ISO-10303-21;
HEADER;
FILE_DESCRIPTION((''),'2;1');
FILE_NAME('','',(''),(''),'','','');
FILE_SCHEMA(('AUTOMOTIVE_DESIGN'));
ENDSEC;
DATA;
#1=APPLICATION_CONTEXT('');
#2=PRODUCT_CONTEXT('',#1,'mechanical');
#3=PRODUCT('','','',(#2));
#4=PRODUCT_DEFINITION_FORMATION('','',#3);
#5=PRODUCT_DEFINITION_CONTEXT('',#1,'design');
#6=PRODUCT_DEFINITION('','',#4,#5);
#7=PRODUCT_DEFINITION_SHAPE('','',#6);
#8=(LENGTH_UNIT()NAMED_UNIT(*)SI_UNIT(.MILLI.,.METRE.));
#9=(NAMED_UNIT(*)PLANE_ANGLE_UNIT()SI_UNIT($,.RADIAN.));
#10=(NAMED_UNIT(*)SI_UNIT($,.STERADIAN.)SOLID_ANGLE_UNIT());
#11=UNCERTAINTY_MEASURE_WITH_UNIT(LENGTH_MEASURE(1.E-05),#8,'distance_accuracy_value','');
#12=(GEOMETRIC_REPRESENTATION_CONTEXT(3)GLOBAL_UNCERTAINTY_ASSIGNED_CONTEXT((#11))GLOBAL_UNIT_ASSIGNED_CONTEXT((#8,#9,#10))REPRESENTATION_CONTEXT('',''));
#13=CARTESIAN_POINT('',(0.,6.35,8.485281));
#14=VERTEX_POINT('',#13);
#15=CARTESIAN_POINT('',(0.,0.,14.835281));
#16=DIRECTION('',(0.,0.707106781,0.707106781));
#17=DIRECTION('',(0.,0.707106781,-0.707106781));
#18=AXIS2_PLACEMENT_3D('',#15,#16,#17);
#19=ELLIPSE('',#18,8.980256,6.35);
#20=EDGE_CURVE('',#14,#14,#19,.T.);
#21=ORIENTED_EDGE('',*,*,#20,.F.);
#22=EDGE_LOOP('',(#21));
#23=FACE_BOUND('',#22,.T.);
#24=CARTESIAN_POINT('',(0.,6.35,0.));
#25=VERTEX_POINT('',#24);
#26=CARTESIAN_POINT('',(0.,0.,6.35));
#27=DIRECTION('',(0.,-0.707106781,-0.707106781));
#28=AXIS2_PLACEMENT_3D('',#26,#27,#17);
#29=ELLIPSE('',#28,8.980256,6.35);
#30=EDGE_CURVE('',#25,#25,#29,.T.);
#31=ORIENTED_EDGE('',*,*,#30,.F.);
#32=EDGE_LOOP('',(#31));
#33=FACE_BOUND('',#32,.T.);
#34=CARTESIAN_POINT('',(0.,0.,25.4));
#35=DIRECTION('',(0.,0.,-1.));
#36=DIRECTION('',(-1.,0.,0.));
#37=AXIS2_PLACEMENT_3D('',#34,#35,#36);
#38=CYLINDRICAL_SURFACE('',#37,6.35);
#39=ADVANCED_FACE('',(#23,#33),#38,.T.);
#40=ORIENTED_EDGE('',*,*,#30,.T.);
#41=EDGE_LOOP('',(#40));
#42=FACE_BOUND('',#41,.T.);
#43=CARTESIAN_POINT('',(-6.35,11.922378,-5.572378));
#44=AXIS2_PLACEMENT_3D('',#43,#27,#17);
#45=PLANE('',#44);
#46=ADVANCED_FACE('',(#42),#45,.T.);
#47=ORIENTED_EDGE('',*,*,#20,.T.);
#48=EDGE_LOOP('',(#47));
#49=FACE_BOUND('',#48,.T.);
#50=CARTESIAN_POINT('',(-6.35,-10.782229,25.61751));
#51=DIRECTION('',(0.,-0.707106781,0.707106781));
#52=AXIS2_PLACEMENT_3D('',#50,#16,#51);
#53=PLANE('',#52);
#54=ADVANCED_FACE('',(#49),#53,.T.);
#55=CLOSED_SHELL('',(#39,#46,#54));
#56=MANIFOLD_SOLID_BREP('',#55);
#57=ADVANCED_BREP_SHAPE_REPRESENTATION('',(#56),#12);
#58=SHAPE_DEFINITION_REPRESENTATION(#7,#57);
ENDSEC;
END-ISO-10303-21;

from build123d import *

# Parameters (mm, degrees)
SKETCH1_R               = 6.35
BOSS_EXTRUDE1_DEPTH     = 25.4
SKETCH3_OUTSIDE_W       = 33.622
SKETCH3_OUTSIDE_H       = 20.922
CUT_EXTRUDE1_DEPTH      = 7.35
CUT_EXTRUDE1_DEPTH_BACK = 7.35


with BuildPart() as part:
    # Sketch1 → Boss-Extrude1 (new body)
    with BuildSketch(Plane.XY):
        Circle(SKETCH1_R)
    extrude(amount=BOSS_EXTRUDE1_DEPTH)

    # Sketch3 outside → Cut-Extrude1 (cut, two sides)
    with BuildSketch(Plane(origin=(0, 0, 0), x_dir=(0, 0, -1), z_dir=(1, 0, 0))) as cut_extrude1_sk:
        with Locations((-12.7, 0)):
            Rectangle(SKETCH3_OUTSIDE_W, SKETCH3_OUTSIDE_H)
        Polygon((-25.617510327, -10.782228953), (-2.912903275, 11.922378099), (5.572378099, 11.922378099), (-17.132228953, -10.782228953), align=None, mode=Mode.SUBTRACT)
    extrude(amount=CUT_EXTRUDE1_DEPTH, mode=Mode.SUBTRACT)
    extrude(cut_extrude1_sk.sketch, amount=-CUT_EXTRUDE1_DEPTH_BACK, mode=Mode.SUBTRACT)


solid = part.part
